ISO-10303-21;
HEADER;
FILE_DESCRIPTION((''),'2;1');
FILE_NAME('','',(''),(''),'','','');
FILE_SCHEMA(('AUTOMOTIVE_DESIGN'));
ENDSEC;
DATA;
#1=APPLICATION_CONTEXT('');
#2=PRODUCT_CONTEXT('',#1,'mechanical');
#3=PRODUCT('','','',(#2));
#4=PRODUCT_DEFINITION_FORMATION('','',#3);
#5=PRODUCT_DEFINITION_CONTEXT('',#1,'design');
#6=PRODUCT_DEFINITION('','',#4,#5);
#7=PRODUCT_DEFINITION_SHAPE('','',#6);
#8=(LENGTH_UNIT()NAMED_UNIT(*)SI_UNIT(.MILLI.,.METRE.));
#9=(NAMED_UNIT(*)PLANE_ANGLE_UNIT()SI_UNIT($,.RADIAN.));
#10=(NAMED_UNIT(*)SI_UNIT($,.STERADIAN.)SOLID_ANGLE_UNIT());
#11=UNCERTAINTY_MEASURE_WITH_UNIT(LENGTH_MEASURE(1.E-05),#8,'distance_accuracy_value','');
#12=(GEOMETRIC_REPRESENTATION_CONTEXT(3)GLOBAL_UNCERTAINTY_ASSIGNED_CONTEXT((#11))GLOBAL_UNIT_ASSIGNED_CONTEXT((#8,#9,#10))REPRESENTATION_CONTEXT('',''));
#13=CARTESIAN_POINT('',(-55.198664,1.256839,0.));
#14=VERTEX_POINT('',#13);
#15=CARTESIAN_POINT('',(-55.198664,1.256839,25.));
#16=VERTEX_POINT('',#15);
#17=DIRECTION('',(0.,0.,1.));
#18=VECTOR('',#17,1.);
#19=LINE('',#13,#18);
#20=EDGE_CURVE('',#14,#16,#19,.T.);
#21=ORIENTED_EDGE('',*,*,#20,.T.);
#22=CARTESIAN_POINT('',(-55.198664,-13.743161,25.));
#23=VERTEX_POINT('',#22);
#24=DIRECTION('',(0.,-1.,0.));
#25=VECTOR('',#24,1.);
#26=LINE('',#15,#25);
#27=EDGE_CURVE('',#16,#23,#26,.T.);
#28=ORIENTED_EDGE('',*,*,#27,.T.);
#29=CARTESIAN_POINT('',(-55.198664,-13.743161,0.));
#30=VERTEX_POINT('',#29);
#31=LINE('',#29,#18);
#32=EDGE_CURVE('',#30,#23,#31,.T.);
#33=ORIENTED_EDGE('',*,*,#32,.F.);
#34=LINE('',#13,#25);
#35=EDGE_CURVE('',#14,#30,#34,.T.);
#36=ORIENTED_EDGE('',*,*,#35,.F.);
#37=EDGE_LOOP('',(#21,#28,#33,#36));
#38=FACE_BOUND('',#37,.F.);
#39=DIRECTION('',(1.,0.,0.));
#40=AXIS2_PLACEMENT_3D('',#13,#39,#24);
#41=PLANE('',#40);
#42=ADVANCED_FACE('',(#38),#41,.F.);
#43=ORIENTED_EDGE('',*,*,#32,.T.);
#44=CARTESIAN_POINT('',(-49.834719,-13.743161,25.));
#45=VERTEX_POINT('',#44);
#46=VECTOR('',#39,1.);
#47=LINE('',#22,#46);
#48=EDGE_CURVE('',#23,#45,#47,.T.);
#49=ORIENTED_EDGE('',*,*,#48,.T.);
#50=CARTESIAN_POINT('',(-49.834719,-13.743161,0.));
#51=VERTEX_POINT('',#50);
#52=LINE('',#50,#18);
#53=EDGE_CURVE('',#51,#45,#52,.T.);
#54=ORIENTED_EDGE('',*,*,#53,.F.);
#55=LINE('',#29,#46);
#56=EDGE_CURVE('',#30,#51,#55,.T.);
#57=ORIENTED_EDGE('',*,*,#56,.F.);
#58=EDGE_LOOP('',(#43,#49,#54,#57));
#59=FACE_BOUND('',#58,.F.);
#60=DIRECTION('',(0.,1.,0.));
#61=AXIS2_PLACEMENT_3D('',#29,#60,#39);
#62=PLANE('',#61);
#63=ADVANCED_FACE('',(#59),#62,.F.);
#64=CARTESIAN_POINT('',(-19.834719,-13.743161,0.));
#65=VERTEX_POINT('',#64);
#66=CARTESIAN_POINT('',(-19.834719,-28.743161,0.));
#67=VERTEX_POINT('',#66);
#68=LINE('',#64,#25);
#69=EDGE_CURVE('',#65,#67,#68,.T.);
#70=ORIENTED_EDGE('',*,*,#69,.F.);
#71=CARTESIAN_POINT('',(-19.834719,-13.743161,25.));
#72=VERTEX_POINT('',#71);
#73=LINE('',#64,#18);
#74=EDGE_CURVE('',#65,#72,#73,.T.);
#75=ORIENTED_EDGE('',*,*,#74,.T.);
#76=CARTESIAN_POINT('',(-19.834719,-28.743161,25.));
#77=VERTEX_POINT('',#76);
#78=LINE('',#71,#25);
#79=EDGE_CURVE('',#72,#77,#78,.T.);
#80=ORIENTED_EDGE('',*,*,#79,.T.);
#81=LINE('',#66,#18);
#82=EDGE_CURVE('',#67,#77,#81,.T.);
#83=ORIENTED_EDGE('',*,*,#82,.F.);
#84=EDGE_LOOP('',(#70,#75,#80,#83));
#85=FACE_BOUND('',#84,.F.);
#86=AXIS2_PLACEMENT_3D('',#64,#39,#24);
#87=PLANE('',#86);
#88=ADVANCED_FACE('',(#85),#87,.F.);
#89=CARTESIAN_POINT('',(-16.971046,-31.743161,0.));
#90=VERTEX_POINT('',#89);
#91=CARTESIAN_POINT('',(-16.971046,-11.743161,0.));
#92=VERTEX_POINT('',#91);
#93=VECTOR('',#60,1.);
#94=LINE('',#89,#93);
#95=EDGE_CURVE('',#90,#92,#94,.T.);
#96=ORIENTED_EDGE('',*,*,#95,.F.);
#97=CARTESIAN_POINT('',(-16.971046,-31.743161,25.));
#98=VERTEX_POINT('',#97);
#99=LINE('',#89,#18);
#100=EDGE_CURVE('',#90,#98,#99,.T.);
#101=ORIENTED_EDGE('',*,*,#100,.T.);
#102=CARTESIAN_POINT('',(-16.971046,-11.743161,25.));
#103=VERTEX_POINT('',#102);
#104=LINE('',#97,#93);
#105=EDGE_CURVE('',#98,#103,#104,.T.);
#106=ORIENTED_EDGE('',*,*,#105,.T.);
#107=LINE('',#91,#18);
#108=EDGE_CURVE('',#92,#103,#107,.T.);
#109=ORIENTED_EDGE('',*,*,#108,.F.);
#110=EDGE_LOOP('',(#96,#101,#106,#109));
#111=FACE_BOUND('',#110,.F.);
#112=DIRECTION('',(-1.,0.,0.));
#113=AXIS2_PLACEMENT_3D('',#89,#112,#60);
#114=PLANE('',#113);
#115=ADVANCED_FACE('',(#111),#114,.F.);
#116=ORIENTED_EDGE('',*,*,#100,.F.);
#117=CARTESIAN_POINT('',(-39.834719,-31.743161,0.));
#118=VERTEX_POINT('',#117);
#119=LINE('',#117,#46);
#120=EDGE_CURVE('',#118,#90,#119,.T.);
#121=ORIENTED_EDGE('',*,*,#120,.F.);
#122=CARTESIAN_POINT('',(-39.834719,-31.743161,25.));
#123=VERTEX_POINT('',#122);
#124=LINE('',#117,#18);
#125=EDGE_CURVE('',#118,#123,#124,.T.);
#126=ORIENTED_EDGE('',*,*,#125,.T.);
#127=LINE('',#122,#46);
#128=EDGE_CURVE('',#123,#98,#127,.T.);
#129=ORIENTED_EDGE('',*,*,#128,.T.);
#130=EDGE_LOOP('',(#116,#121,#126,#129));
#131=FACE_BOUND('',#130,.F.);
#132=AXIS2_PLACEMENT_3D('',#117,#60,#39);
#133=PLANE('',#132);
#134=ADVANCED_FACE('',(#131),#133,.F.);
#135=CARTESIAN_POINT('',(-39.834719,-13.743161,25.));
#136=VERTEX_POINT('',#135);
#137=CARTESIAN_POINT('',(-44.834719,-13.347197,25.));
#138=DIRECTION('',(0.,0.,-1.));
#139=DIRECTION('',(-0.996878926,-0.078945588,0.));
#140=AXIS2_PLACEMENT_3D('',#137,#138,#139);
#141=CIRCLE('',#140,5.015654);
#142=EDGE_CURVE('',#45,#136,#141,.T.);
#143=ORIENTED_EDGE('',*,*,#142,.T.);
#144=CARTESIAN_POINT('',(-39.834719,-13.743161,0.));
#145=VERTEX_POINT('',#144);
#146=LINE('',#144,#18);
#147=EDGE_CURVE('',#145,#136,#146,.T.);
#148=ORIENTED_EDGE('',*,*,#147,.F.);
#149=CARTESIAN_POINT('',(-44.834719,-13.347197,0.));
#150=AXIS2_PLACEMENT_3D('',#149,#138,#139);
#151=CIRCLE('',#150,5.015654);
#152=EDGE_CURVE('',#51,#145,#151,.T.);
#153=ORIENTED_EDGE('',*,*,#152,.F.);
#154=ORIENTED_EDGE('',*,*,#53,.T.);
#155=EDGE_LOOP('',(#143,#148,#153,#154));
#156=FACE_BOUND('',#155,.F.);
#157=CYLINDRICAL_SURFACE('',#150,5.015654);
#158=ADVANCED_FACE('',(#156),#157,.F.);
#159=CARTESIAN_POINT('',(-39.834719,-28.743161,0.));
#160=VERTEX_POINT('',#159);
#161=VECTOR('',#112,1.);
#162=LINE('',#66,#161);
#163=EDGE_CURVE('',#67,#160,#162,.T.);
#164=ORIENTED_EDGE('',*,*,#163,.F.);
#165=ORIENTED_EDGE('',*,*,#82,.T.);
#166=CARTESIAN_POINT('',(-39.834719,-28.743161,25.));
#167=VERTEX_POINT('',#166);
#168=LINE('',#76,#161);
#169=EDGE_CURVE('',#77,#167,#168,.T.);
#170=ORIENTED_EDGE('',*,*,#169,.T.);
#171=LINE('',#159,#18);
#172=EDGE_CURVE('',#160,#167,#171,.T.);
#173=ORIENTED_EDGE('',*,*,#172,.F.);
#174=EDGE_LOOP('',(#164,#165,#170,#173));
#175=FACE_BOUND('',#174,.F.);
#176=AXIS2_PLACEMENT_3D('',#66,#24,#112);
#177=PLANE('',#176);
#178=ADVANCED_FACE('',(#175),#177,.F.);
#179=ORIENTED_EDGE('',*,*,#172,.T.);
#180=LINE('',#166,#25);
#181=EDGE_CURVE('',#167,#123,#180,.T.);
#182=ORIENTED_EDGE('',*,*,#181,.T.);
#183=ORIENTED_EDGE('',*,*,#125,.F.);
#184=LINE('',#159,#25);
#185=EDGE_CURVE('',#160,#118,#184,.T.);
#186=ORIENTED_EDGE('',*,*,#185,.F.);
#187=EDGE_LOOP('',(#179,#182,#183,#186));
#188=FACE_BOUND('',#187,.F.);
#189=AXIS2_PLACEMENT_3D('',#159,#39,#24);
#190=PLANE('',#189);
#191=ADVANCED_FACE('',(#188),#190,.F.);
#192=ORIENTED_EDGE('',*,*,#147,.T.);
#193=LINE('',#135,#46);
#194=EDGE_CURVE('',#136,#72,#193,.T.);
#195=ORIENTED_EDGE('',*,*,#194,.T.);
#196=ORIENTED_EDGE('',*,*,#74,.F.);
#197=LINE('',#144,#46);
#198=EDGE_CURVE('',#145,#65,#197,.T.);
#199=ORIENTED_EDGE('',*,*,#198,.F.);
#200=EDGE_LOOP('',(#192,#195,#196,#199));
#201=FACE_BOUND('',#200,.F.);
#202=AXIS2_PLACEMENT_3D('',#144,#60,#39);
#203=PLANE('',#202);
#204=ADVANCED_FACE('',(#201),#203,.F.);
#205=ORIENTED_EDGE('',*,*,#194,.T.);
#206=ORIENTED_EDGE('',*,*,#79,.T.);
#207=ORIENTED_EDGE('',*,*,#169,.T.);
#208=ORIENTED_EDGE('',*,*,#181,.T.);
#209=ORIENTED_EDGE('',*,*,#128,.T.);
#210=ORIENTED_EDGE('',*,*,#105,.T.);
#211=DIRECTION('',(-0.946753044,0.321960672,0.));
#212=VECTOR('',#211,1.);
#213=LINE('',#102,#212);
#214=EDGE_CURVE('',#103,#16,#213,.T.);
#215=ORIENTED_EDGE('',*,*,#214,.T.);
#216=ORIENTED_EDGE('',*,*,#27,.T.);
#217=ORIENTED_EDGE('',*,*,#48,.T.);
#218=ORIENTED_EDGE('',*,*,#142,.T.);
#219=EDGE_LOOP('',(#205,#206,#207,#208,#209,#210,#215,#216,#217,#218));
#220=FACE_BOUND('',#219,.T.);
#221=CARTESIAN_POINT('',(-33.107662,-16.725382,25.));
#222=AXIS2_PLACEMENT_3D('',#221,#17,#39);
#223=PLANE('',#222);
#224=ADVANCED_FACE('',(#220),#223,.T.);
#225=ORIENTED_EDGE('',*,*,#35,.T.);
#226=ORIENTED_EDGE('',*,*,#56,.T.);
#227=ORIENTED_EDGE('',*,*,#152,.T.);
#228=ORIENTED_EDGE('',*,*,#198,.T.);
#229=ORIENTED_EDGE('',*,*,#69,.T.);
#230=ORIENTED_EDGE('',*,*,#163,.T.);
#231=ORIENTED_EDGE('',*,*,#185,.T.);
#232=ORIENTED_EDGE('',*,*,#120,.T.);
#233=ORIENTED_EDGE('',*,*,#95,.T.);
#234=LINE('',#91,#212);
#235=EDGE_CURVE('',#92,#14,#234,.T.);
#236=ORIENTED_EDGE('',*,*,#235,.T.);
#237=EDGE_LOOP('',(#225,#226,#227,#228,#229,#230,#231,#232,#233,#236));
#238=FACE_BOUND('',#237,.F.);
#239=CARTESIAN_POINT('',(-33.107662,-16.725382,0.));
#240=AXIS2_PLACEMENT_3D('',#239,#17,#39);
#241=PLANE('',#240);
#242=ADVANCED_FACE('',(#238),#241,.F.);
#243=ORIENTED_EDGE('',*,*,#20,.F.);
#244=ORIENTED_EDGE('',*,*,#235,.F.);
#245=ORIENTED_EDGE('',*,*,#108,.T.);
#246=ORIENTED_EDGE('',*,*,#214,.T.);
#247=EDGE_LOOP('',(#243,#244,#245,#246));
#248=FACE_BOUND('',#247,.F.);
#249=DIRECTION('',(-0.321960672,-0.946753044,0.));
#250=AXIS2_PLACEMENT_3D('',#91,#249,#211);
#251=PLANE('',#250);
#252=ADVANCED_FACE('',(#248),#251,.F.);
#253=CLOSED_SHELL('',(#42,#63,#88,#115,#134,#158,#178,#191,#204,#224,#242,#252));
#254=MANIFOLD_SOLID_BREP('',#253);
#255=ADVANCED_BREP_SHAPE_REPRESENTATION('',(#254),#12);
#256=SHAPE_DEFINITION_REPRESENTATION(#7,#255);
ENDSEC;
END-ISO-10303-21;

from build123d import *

# Parameters (mm, degrees)
F1_DEPTH = 25


with BuildPart() as f1:
    # F0 (on Top) → F1 (new body)
    with BuildSketch(Plane.XY):
        with BuildLine():
            ThreePointArc((-49.834719, -13.743161), (-44.834719, -8.331543), (-39.834719, -13.743161))
            Line((-39.834719, -13.743161), (-19.834719, -13.743161))
            Line((-19.834719, -13.743161), (-19.834719, -28.743161))
            Line((-19.834719, -28.743161), (-39.834719, -28.743161))
            Line((-39.834719, -28.743161), (-39.834719, -31.743161))
            Line((-39.834719, -31.743161), (-19.971046, -31.743161))
            Line((-19.971046, -31.743161), (-16.971046, -31.743161))
            Line((-16.971046, -31.743161), (-16.971046, -11.743161))
            Line((-16.971046, -11.743161), (-55.198664, 1.256839))
            Line((-55.198664, 1.256839), (-55.198664, -13.743161))
            Line((-55.198664, -13.743161), (-49.834719, -13.743161))
        make_face()
    extrude(amount=F1_DEPTH)


solid = f1.part
